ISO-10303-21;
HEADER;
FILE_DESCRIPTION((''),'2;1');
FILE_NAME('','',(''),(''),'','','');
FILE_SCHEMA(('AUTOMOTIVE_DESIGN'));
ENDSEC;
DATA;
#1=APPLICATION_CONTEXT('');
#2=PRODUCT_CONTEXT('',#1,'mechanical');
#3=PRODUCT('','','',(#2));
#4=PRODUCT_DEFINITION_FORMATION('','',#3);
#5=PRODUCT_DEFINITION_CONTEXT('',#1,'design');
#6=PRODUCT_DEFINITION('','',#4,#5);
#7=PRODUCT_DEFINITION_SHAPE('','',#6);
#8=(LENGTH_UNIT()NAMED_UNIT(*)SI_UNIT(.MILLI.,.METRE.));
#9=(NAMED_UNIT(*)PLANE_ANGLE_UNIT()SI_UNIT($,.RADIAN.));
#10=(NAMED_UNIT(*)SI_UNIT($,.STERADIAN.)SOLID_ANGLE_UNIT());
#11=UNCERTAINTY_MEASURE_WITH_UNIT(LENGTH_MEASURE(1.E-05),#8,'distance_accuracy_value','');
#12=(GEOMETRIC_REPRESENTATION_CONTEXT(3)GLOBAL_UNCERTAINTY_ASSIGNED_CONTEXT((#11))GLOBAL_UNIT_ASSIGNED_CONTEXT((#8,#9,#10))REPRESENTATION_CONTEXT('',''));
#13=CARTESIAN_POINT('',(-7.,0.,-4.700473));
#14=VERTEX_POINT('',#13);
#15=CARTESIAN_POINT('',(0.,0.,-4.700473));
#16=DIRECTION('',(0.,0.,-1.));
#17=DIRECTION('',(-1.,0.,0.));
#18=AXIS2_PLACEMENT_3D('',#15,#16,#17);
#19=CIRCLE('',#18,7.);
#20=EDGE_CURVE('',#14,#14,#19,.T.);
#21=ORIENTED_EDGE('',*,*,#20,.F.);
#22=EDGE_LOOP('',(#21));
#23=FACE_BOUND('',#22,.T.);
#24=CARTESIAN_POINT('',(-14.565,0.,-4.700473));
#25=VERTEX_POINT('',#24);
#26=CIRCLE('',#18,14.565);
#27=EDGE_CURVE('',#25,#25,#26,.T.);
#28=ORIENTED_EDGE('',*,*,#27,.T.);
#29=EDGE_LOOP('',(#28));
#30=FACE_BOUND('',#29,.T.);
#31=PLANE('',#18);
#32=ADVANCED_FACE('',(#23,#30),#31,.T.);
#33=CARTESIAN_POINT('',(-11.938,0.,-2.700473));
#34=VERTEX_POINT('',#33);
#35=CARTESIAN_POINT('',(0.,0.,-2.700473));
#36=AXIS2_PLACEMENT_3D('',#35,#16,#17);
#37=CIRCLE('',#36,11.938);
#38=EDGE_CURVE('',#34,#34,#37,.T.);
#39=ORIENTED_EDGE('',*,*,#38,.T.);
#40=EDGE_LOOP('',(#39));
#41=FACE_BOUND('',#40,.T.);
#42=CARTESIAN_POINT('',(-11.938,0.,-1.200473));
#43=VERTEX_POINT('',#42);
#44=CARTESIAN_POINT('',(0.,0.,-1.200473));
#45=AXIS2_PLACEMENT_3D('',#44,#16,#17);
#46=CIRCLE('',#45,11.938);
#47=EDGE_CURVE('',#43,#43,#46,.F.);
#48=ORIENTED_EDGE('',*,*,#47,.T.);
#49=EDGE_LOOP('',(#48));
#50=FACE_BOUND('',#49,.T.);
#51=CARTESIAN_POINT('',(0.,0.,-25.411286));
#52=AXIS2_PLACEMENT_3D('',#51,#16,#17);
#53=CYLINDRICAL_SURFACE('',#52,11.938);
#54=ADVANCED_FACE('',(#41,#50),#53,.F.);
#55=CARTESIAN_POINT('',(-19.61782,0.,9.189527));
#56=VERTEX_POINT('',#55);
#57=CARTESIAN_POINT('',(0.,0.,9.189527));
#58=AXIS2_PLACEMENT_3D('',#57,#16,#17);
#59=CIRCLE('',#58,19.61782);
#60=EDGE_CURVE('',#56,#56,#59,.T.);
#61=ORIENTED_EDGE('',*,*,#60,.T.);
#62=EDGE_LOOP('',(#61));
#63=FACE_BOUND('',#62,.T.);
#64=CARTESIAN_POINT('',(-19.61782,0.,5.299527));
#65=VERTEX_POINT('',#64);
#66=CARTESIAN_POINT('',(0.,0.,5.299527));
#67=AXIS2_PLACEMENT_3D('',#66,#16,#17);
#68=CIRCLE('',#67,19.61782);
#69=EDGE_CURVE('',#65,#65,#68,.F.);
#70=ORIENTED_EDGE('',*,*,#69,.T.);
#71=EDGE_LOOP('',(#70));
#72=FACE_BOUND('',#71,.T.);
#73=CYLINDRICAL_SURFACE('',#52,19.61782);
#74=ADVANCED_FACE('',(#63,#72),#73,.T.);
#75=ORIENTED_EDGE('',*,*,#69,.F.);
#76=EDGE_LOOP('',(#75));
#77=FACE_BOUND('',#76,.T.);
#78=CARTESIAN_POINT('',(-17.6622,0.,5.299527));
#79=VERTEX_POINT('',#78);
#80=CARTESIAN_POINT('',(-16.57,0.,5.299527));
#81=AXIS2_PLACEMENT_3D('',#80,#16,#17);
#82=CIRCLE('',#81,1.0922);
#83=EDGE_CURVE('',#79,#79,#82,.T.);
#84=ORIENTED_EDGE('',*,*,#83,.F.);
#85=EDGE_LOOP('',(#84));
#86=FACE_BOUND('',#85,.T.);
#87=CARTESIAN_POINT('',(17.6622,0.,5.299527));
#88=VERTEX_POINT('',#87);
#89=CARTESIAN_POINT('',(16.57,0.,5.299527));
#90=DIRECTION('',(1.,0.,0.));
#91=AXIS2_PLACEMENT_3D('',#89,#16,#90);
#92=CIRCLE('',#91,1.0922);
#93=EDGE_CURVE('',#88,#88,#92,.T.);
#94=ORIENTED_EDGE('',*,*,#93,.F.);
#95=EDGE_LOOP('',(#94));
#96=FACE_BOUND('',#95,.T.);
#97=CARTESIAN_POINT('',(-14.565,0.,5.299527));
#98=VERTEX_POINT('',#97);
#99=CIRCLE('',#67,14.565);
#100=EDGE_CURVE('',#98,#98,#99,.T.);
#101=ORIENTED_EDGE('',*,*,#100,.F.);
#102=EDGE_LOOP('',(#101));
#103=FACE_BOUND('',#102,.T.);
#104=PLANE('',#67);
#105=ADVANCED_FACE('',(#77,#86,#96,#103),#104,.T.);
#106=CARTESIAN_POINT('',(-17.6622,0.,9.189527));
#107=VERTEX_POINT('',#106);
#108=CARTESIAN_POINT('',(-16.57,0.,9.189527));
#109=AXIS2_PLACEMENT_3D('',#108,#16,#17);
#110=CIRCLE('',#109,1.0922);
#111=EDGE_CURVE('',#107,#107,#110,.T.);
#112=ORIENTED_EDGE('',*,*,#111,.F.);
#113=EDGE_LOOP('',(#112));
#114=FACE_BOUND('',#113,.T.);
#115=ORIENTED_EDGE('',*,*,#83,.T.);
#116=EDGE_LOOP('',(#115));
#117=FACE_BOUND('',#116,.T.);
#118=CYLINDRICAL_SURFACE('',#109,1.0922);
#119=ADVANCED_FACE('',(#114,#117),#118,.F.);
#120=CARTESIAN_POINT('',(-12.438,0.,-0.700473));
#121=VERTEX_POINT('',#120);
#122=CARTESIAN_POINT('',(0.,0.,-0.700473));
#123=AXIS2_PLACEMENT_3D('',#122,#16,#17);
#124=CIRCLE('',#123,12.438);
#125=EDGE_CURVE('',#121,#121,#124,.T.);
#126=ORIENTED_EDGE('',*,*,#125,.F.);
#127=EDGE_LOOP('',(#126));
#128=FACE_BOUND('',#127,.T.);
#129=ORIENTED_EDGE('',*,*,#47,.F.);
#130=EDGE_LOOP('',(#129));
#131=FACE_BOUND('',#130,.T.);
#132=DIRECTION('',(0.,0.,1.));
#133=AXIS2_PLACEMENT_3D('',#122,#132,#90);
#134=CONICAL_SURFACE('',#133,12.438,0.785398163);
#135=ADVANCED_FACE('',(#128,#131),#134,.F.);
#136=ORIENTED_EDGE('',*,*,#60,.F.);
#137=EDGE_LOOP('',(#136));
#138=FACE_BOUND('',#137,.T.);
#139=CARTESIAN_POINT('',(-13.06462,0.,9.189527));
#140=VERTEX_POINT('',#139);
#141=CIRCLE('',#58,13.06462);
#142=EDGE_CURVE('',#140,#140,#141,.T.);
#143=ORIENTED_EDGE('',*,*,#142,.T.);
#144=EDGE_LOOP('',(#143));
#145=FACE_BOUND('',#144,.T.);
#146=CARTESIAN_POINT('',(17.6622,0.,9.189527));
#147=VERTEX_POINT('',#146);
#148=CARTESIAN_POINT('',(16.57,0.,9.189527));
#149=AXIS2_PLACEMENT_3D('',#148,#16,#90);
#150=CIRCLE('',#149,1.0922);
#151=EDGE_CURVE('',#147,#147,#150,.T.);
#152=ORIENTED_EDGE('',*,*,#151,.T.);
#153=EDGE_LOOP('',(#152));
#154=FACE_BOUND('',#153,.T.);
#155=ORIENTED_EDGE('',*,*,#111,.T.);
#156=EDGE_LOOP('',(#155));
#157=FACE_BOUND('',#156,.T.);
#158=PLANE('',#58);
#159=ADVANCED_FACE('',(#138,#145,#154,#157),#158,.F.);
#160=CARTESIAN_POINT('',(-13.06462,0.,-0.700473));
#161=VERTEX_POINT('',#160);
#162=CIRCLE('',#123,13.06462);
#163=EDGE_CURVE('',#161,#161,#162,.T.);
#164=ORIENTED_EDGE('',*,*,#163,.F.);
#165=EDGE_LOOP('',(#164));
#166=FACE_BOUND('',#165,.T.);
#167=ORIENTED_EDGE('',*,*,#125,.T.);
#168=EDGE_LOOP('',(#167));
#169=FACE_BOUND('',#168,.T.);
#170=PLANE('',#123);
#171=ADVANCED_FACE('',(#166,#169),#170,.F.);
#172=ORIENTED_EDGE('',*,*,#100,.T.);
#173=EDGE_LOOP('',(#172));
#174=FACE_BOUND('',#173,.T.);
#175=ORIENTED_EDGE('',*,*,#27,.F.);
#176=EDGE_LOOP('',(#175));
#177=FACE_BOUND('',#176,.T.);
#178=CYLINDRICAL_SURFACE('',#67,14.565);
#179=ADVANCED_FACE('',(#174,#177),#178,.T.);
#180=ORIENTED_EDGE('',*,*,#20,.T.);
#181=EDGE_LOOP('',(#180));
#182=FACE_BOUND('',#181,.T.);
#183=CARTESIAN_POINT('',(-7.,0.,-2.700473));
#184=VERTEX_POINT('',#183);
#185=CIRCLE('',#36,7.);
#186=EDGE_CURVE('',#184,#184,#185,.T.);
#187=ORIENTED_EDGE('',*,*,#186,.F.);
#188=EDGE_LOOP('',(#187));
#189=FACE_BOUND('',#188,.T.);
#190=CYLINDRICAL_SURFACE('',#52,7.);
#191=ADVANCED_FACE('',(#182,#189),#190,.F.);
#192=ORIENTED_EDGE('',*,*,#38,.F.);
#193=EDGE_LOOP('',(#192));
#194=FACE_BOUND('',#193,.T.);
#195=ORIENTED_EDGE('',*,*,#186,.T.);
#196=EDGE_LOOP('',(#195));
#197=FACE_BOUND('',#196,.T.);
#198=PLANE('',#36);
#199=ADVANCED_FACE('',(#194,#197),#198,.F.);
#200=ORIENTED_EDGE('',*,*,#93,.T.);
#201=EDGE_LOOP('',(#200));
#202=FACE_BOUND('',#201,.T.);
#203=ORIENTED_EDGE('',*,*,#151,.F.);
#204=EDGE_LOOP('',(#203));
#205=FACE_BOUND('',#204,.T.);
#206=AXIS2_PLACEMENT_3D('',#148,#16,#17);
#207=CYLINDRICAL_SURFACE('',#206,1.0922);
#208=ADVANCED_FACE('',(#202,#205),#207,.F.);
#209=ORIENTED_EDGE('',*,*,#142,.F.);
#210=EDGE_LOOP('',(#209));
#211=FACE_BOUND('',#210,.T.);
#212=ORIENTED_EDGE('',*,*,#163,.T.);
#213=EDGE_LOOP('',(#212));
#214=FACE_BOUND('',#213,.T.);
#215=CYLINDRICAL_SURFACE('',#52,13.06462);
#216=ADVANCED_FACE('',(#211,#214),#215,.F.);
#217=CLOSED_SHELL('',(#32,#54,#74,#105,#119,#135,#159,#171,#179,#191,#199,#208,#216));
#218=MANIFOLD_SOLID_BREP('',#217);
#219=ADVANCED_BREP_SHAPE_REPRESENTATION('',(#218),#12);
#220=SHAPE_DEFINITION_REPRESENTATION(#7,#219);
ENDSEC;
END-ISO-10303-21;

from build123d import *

# Parameters (mm, degrees)
SKETCH1_W          = 12.617819502
SKETCH1_H          = 2
SKETCH1_W_2        = 6.5532
SKETCH1_H_2        = 9.89
SKETCH2_R          = 26.652766262
SKETCH2_R_2        = 14.565
CUT_EXTRUDE1_DEPTH = 10
SKETCH4_R          = 1.0922
CUT_EXTRUDE2_DEPTH = 30.490976315
CHAMFER1_SIZE      = 0.5


with BuildPart() as part:
    # Sketch1 → Revolve1 (revolve)
    with BuildSketch(Plane(origin=(0, 0, 0), x_dir=(1, 0, 0), z_dir=(0, 1, 0))):
        with Locations((-13.308909751, 3.700473465)):
            Rectangle(SKETCH1_W, SKETCH1_H)
        Polygon((-11.938, 2.700473465), (-19.617819502, 2.700473465), (-19.617819502, 0.700473465), (-13.064619502, 0.700473465), (-11.938, 0.700473465), align=None)
        with Locations((-16.341219502, -4.244526535)):
            Rectangle(SKETCH1_W_2, SKETCH1_H_2)
    revolve(axis=Axis((0, 0, -25.411285606), (0, 0, 1)))

    # Sketch2 → Cut-Extrude1 (cut)
    with BuildSketch(Plane(origin=(0, 0, -4.700473465), x_dir=(-1, 0, 0), z_dir=(0, 0, -1))):
        Circle(SKETCH2_R)
        Circle(SKETCH2_R_2, mode=Mode.SUBTRACT)
    extrude(amount=-CUT_EXTRUDE1_DEPTH, mode=Mode.SUBTRACT)

    # Sketch4 → Cut-Extrude2 (cut, through all)
    with BuildSketch(Plane(origin=(0, 0, 5.299526535), x_dir=(-1, 0, 0), z_dir=(0, 0, -1))):
        with Locations((16.57, 0)):
            Circle(SKETCH4_R)
        with Locations(Location((-16.57, 0, 0), (0, 0, 180))):
            Circle(SKETCH4_R)
    extrude(amount=-CUT_EXTRUDE2_DEPTH, mode=Mode.SUBTRACT)

    # Chamfer1
    chamfer1_edges = [part.edges().sort_by_distance(p)[0] for p in [
        (11.938, 0, -0.700473465),
    ]]
    chamfer(chamfer1_edges, length=CHAMFER1_SIZE)


solid = part.part
